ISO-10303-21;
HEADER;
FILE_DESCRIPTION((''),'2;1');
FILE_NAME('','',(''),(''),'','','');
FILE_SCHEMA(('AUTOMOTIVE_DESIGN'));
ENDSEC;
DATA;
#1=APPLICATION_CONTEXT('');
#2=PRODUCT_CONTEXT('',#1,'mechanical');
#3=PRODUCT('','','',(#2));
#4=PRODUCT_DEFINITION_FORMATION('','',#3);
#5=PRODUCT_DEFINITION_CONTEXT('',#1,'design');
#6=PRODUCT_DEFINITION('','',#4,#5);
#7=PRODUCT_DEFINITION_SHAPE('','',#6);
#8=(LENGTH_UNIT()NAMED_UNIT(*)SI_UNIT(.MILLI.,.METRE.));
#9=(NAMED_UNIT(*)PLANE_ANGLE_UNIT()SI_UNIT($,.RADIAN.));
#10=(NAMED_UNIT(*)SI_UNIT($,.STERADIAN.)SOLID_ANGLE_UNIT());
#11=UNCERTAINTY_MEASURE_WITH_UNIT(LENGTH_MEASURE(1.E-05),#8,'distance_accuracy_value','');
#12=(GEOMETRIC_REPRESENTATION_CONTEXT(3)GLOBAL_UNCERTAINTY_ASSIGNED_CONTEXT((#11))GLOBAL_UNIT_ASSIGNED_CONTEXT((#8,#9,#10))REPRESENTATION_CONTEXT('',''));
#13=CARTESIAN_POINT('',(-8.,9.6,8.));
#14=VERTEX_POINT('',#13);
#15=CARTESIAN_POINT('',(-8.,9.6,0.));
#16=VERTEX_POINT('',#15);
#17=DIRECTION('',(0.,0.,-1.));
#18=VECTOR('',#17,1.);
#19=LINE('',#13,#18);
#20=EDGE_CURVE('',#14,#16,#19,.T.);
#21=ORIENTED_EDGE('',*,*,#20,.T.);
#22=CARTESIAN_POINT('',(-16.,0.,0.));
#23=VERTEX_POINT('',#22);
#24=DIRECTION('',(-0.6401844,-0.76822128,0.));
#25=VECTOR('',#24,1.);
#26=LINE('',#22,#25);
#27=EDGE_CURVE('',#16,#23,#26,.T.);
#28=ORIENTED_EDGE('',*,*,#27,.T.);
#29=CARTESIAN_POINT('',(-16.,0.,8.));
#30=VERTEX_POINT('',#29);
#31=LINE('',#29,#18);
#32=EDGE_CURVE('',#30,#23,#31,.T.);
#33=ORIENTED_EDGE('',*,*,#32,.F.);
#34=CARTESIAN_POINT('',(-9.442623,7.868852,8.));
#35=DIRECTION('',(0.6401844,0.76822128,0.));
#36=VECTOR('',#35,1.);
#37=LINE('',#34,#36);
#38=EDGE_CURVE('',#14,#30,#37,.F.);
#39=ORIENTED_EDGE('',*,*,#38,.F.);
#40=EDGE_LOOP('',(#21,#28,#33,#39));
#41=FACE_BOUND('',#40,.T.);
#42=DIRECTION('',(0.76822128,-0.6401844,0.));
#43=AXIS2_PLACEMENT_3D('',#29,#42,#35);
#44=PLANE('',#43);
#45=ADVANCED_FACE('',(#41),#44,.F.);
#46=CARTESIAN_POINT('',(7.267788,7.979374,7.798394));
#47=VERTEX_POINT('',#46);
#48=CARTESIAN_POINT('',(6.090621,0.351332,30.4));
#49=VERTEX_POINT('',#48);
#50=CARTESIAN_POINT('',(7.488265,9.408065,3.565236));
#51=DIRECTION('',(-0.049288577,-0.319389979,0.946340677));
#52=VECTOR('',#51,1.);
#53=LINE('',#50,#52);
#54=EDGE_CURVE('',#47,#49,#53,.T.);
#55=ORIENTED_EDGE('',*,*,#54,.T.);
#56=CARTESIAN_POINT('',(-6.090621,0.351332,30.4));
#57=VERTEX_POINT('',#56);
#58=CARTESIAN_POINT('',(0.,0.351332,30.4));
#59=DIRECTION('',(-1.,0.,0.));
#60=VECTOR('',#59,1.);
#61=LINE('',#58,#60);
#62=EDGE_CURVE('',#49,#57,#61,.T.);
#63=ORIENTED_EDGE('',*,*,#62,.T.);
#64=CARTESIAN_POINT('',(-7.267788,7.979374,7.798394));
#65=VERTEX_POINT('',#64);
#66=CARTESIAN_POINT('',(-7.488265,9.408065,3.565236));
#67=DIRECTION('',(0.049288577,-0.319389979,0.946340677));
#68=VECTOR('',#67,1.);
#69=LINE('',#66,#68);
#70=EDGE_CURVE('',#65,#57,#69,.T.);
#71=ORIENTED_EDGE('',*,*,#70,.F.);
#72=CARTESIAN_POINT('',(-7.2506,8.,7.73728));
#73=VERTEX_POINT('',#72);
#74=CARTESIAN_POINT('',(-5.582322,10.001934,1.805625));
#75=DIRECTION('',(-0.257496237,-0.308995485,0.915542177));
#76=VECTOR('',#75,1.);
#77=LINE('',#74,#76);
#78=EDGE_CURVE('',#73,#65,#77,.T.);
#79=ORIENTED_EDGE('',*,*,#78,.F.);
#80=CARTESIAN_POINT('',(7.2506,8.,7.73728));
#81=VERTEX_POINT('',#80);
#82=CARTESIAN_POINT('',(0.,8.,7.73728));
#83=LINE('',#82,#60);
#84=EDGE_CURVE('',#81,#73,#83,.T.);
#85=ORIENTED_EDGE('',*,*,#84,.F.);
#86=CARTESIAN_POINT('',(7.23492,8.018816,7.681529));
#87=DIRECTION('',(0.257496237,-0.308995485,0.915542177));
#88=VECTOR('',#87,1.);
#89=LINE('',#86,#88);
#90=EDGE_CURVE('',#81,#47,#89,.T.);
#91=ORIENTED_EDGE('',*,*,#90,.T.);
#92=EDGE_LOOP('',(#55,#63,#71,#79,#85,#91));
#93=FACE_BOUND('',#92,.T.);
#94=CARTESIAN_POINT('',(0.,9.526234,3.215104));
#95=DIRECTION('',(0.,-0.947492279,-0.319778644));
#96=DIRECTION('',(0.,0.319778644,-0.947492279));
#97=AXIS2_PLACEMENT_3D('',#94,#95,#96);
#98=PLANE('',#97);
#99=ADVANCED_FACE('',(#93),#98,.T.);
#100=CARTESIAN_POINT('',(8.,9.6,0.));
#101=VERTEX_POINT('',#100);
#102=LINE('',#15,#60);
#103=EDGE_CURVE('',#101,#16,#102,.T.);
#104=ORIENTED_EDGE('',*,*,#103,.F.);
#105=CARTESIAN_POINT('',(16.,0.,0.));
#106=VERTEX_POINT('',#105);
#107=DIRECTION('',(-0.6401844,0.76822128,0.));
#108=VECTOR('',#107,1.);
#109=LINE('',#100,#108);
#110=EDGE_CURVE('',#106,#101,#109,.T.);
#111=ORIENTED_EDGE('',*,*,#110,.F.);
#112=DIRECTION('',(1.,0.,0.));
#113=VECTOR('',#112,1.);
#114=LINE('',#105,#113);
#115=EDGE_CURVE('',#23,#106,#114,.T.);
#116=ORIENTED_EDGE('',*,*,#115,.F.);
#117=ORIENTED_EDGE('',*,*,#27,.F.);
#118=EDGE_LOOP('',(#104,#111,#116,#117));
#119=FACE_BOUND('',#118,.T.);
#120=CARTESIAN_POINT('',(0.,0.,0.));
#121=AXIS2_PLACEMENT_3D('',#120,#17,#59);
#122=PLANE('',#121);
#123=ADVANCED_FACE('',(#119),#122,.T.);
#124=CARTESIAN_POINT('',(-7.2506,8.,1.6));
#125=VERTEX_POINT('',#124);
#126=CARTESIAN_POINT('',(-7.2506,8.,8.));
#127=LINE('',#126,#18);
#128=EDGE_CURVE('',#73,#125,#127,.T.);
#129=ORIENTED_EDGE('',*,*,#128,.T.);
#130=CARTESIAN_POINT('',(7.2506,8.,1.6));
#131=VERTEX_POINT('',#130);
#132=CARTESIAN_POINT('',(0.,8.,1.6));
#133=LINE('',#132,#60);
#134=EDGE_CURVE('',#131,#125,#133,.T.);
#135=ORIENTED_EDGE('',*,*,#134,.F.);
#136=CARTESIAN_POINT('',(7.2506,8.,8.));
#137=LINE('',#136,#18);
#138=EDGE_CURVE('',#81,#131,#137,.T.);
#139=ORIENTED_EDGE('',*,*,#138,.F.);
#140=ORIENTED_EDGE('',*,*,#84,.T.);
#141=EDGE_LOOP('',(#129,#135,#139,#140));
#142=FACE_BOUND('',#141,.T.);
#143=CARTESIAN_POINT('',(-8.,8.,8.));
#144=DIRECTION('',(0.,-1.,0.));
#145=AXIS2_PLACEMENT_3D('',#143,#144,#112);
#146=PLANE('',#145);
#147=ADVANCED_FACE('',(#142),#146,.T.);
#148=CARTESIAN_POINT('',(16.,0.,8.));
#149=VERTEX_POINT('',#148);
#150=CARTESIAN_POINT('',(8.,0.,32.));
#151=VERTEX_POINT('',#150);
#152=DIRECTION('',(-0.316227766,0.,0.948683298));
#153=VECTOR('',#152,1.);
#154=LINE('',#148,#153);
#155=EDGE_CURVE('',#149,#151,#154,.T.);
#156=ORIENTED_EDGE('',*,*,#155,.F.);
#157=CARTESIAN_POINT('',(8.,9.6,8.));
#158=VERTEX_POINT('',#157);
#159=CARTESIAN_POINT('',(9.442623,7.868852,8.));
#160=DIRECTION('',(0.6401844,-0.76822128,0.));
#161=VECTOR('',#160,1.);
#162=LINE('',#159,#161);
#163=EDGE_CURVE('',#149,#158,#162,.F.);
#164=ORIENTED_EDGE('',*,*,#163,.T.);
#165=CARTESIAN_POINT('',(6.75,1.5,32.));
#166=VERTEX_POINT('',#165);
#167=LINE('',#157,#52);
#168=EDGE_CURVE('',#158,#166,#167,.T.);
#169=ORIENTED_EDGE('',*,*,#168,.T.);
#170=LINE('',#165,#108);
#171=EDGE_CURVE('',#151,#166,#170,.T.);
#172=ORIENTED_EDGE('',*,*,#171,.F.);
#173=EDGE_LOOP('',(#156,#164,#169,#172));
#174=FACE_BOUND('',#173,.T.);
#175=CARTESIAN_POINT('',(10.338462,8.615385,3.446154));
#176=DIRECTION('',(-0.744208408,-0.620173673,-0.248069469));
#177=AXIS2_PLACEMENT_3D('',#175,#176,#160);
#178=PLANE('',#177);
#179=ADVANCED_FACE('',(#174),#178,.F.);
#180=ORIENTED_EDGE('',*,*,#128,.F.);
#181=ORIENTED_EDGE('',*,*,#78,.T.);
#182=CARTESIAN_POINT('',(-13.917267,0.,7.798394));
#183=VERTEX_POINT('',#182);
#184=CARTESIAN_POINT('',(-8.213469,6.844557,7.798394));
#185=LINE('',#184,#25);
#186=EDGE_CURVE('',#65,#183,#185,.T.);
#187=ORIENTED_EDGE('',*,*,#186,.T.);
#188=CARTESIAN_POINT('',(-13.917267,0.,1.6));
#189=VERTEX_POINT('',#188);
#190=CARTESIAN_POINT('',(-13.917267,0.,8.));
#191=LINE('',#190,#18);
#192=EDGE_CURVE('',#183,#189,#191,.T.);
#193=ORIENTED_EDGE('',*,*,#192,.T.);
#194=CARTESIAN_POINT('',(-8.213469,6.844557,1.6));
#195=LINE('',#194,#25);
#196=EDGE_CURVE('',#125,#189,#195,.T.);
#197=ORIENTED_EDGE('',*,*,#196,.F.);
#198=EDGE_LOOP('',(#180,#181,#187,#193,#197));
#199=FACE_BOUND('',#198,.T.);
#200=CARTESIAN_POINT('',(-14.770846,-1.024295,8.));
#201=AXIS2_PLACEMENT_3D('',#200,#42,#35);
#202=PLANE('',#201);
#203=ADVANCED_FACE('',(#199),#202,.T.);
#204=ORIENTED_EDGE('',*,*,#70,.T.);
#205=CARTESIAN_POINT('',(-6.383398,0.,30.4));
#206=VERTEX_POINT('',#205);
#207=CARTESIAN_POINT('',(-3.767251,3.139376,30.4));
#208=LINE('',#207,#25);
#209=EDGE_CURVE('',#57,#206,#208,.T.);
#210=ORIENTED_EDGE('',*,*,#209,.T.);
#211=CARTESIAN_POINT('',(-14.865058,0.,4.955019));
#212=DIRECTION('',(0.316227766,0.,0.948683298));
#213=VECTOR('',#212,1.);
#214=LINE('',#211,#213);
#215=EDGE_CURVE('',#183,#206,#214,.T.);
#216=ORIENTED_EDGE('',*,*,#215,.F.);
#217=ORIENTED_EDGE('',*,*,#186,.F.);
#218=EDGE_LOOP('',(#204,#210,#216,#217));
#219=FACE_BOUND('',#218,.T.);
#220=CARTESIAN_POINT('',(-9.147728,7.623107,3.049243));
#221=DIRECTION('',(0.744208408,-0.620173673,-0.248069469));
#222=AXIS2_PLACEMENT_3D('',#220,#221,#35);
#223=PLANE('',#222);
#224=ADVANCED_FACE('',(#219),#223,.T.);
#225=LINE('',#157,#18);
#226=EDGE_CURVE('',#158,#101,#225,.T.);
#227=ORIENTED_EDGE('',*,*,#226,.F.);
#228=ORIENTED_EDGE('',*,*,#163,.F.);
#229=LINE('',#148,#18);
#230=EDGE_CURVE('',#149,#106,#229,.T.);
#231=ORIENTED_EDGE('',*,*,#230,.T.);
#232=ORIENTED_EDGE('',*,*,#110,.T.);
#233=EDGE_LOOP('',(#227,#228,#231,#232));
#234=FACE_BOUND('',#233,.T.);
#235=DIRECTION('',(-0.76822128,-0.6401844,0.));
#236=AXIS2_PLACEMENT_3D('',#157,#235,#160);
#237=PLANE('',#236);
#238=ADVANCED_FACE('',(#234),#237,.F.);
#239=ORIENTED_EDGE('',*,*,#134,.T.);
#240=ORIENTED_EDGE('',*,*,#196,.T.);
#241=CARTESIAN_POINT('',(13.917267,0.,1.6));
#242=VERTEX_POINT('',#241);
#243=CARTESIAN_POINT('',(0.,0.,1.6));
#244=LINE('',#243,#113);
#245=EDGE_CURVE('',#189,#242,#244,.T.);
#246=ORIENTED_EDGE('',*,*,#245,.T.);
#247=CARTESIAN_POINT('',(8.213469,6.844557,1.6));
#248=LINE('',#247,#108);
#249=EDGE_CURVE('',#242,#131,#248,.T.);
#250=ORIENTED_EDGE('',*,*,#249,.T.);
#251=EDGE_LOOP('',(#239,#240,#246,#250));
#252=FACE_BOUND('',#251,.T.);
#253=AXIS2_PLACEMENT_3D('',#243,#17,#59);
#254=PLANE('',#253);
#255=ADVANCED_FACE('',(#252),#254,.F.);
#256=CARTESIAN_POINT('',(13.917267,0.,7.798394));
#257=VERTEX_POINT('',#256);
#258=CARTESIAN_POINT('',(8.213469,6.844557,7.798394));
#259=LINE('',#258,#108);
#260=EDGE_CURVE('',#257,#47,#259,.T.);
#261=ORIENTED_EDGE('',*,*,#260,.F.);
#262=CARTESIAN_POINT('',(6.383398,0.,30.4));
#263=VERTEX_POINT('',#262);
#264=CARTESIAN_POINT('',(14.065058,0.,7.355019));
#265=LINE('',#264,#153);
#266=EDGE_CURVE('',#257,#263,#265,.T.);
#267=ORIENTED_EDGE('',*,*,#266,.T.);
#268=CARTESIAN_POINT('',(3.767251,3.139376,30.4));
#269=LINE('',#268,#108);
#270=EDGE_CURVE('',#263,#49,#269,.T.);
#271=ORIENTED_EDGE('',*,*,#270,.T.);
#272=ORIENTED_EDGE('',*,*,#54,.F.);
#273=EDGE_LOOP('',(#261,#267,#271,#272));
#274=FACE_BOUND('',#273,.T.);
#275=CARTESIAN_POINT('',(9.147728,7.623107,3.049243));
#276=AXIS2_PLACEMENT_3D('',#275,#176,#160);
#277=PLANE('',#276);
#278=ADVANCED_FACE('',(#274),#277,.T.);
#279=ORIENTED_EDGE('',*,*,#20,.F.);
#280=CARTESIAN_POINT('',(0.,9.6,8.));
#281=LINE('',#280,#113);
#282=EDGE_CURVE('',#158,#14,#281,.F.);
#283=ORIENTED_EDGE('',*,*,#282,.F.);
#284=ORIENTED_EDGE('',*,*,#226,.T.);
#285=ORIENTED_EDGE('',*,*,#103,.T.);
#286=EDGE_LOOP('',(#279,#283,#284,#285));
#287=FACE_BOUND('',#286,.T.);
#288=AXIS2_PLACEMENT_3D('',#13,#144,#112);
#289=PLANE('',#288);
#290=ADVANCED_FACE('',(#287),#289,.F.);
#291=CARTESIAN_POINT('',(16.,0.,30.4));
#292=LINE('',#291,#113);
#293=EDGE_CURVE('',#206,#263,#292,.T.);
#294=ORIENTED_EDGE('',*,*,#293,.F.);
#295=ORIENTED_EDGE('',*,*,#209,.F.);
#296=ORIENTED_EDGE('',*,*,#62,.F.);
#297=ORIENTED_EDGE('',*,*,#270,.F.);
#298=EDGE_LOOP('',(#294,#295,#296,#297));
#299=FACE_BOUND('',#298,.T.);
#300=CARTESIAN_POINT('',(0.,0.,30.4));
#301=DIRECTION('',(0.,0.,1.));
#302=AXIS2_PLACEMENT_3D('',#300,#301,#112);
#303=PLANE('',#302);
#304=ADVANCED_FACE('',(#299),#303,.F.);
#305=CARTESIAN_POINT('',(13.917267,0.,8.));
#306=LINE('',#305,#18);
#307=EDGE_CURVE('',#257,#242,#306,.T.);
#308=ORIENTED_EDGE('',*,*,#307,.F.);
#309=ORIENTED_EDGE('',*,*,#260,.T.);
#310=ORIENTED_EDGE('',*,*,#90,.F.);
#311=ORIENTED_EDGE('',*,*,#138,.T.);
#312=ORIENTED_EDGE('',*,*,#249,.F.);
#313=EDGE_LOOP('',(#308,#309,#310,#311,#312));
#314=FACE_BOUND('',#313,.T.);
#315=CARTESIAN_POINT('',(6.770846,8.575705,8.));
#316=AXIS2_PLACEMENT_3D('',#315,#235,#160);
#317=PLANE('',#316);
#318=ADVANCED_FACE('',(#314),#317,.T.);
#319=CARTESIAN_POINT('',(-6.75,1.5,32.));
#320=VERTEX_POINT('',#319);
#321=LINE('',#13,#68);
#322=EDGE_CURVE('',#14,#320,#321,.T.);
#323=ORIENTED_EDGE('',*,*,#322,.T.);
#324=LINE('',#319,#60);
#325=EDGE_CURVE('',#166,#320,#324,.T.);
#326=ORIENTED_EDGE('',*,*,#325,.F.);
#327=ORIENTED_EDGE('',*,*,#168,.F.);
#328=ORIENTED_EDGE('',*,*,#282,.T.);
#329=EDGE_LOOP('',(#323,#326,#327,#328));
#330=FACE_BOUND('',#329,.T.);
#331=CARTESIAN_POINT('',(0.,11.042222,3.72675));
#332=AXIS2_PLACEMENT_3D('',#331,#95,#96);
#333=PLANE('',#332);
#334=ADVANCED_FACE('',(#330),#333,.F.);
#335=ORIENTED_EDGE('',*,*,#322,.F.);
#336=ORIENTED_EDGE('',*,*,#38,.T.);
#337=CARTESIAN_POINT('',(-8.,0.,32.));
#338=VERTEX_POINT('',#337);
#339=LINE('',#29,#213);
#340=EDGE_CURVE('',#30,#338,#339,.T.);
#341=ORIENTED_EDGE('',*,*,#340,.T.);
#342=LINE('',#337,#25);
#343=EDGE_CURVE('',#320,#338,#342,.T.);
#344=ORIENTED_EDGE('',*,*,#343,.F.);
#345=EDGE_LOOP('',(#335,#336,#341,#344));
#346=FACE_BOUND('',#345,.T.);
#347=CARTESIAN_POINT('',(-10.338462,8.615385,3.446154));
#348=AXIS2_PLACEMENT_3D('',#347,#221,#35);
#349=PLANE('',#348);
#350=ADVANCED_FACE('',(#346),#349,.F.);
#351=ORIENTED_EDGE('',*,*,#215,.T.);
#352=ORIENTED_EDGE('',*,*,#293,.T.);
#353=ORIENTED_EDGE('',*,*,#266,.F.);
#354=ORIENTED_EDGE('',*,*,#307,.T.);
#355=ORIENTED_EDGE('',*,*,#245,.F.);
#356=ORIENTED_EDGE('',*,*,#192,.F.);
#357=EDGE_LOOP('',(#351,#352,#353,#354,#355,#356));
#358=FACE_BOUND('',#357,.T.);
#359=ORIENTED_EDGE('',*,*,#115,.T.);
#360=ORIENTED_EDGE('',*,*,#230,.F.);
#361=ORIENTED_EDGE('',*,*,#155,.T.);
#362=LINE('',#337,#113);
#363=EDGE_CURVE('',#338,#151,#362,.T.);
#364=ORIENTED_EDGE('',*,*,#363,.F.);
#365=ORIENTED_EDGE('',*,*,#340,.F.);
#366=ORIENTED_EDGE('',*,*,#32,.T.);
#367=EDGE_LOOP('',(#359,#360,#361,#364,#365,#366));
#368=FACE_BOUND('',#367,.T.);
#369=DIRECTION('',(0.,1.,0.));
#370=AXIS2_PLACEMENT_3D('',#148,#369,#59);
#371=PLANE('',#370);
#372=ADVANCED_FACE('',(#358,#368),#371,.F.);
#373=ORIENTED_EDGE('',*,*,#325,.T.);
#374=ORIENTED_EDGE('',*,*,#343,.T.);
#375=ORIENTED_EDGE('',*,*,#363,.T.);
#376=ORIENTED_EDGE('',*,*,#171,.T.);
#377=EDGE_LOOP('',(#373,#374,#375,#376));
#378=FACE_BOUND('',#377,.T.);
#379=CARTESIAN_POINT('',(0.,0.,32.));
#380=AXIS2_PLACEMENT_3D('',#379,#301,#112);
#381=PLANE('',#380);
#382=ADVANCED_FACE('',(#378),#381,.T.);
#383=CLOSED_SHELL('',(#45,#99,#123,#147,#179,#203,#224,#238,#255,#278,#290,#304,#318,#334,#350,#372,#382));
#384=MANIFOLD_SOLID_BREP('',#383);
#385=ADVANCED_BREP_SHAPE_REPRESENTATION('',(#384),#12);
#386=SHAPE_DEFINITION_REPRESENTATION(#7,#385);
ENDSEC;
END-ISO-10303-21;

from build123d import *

# Parameters (mm, degrees)
BOSS_EXTRUDE1_DEPTH = 8
SHELL1_T            = -1.6


with BuildPart() as part:
    # Sketch1 → Boss-Extrude1 (new body)
    with BuildSketch(Plane.XY):
        Polygon((-8, 9.6), (8, 9.6), (16, 0), (-16, 0), align=None)
    extrude(amount=BOSS_EXTRUDE1_DEPTH)

    # Sketch2 → section 1 of loft1
    with BuildSketch(Plane.XY.offset(32), mode=Mode.PRIVATE) as loft1_s1:
        with BuildLine():
            Line((-8, 0), (8, 0))
            Line((8, 0), (6.75, 1.5))
            Line((6.75, 1.5), (-6.75, 1.5))
            Line((-6.75, 1.5), (-8, 0))
        make_face()
    # loft from a face of the part (loft1)
    loft([part.faces().sort_by_distance((0, 4.266666667, 8))[0], loft1_s1.sketch])

    # Shell1
    shell1_openings = [part.faces().sort_by_distance(p)[0] for p in [
        (0, 0, 14.153846154),
    ]]
    offset(amount=SHELL1_T, openings=shell1_openings)


solid = part.part
